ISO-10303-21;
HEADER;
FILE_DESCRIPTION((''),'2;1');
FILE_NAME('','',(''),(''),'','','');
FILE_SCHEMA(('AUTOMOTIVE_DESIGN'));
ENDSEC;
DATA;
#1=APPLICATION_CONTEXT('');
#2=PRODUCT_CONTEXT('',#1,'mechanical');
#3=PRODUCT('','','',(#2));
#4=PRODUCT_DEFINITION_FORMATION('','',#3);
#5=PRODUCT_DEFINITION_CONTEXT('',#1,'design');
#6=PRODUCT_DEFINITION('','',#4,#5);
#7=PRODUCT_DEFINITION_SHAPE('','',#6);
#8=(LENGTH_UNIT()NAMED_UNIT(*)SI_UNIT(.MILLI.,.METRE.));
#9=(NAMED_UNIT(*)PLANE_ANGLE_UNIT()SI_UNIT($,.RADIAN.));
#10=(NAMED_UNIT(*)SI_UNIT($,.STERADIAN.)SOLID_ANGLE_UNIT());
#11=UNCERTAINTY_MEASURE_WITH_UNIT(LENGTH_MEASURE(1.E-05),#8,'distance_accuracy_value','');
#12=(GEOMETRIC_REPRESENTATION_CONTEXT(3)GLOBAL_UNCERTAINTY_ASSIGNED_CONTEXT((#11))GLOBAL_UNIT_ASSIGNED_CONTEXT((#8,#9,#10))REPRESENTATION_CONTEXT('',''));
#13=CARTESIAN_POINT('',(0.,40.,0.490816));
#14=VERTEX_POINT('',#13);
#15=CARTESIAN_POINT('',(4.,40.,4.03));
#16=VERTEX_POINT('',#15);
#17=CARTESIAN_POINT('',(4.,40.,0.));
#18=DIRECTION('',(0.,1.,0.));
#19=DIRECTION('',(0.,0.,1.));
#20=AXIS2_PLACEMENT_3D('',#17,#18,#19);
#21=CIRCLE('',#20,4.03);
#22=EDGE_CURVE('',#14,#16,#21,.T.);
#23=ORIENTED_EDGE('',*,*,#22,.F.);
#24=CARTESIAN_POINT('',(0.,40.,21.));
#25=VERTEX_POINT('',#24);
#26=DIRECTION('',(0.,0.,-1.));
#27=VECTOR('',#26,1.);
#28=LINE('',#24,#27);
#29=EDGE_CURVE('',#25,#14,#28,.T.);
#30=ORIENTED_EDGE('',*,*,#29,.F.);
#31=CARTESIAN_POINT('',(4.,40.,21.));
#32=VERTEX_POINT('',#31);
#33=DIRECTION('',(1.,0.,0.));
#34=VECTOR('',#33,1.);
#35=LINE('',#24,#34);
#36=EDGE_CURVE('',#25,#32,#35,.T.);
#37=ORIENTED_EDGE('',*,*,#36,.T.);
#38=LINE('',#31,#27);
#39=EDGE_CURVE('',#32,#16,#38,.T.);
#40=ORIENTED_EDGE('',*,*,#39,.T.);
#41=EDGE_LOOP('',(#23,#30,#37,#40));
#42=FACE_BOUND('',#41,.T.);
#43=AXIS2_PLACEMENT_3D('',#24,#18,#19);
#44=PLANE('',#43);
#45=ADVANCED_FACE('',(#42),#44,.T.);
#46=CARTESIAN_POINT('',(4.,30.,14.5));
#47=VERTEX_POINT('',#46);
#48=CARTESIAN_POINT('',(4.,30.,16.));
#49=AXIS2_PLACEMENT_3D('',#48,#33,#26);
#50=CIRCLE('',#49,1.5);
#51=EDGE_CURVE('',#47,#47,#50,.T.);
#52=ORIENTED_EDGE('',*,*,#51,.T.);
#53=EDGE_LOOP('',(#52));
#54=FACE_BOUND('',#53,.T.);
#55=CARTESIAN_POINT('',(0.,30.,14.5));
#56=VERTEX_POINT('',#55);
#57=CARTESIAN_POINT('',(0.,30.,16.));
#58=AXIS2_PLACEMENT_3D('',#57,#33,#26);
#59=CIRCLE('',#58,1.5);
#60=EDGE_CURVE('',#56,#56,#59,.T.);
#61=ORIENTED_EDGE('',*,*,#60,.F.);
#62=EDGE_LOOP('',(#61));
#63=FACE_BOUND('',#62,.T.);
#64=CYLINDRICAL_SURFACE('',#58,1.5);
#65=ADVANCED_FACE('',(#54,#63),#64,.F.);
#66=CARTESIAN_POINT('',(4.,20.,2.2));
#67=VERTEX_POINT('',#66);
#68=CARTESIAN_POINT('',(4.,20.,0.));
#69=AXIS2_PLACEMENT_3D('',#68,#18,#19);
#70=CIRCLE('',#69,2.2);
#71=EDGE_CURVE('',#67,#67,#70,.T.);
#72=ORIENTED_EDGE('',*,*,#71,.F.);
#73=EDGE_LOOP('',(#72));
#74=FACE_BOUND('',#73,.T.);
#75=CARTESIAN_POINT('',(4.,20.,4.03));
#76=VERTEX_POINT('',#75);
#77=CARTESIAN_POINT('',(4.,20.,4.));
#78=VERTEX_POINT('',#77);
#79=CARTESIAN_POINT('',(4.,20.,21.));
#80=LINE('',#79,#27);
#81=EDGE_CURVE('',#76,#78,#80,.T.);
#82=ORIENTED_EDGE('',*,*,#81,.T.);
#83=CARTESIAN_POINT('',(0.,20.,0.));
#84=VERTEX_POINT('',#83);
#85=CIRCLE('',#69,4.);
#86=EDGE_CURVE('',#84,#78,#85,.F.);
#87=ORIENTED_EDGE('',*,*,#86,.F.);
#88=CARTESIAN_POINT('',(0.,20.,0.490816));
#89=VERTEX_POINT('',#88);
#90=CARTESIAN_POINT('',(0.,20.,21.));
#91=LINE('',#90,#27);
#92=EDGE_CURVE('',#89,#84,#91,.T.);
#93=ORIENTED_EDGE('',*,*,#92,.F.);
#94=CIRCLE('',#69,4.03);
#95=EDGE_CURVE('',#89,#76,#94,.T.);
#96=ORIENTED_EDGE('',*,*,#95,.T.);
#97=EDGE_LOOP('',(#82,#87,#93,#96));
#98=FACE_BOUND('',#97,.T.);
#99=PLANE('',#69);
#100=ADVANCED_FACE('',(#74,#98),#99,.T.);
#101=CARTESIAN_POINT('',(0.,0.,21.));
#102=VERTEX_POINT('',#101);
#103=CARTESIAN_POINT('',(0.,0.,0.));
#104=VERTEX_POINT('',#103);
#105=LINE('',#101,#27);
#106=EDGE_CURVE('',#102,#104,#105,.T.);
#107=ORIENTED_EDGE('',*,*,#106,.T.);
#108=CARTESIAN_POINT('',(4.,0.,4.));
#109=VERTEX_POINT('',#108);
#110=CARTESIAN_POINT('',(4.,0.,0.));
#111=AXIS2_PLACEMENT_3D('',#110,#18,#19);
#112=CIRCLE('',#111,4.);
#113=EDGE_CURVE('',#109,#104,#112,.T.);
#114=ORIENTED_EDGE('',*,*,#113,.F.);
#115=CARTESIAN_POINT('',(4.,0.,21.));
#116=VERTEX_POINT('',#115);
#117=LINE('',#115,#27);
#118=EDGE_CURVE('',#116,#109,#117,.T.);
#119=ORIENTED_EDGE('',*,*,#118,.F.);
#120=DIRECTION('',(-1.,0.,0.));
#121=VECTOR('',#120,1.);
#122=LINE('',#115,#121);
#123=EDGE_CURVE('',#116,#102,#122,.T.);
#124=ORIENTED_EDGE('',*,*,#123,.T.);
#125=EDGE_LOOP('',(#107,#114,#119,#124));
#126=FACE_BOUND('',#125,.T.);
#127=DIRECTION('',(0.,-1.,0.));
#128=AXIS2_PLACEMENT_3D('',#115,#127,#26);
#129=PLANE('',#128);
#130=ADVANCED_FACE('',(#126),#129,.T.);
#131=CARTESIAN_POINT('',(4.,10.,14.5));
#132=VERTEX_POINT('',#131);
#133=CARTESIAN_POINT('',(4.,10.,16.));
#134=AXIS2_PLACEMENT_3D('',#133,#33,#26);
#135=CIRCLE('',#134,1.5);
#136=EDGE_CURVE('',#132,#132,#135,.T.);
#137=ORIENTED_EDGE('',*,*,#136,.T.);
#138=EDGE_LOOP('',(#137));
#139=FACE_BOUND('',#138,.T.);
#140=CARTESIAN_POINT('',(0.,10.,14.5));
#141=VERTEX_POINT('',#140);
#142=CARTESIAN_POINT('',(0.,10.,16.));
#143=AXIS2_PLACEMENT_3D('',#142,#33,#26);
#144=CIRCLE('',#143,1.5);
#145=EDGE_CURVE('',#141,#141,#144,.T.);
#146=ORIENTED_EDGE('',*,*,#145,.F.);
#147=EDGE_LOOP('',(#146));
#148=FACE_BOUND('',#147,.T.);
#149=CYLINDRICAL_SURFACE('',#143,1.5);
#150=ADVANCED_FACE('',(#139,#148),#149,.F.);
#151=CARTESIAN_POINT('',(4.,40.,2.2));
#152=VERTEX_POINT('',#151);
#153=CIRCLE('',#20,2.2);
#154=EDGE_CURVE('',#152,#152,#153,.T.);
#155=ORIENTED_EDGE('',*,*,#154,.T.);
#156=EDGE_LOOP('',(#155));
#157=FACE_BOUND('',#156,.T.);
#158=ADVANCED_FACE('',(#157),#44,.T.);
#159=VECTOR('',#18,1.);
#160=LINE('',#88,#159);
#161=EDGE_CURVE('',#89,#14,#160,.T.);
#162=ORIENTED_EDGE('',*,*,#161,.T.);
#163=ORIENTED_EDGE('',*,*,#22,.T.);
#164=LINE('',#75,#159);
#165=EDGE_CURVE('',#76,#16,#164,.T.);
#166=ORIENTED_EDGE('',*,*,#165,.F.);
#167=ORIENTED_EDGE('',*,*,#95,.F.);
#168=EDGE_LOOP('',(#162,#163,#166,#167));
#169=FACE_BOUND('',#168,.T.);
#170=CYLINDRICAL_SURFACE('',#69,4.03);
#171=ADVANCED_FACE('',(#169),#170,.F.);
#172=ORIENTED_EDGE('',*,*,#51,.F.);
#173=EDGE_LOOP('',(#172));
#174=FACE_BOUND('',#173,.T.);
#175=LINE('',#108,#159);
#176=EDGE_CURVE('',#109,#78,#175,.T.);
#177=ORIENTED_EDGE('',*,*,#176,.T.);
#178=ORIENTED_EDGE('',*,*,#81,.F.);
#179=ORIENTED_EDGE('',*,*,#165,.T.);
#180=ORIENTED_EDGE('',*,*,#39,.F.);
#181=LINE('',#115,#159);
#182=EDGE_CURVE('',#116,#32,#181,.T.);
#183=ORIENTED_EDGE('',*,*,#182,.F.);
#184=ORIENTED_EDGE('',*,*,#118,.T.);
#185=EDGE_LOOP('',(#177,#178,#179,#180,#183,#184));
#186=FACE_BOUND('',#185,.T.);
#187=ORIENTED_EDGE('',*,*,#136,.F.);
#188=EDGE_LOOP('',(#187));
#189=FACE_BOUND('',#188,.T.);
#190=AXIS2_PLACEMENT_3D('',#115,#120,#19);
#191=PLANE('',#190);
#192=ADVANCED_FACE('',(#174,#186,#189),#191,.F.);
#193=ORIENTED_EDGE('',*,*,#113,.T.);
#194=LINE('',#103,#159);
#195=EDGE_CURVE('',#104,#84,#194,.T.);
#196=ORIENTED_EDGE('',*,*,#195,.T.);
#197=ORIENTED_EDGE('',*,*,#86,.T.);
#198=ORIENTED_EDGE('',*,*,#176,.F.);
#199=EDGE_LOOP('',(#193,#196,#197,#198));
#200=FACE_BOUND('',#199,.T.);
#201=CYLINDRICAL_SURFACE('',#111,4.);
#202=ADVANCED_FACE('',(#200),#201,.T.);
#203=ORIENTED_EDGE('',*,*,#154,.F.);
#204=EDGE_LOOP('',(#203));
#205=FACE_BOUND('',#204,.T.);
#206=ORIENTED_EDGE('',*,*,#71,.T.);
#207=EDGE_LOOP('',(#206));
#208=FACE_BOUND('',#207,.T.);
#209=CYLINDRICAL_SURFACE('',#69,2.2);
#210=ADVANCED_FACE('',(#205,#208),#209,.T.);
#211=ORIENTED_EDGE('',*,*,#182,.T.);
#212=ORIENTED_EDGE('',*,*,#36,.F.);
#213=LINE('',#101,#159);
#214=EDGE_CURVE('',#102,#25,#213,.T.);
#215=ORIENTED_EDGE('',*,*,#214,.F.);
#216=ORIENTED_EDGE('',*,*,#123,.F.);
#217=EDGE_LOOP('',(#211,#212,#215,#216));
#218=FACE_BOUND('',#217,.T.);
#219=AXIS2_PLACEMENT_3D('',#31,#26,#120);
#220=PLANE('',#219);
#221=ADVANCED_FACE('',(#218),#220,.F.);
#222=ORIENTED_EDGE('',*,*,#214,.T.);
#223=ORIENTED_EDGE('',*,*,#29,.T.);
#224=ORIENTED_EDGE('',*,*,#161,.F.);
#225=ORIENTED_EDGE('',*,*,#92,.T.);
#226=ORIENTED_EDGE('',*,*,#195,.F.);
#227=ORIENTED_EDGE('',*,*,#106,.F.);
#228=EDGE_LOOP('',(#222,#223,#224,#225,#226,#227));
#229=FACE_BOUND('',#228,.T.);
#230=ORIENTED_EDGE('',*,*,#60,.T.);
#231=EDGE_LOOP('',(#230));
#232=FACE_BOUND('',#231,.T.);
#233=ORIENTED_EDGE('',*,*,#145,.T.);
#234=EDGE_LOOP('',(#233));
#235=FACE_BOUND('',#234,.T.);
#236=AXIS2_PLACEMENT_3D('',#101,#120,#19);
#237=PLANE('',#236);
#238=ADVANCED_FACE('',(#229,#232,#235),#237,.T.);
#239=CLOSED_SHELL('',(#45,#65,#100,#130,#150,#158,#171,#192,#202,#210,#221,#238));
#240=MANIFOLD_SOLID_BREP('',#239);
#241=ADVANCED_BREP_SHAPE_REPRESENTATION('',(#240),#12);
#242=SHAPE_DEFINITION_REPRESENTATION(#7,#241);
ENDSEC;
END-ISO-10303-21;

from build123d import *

# Parameters (mm, degrees)
SKETCH1_W           = 4
SKETCH1_H           = 40
EXTRUDE_THIN2_DEPTH = 21
SKETCH4_R           = 4
SKETCH15_R          = 4.03
SKETCH15_R_2        = 2.2
CUT_EXTRUDE14_DEPTH = 20
SKETCH13_R          = 1.5
CUT_EXTRUDE10_DEPTH = 46.354161882


with BuildPart() as part:
    # Sketch1 → Extrude-Thin2 (new body)
    with BuildSketch(Plane.XY):
        with Locations((2, 20)):
            Rectangle(SKETCH1_W, SKETCH1_H)
    extrude(amount=EXTRUDE_THIN2_DEPTH)

    # Sweep3: sweep along a curve in space
    with BuildLine() as sweep3_path:
        Line((4, 0, 0), (4, 40, 0))
    # Sketch4 → Sweep3 (sweep)
    with BuildSketch(Plane(origin=(0, 40, 0), x_dir=(1, 0, 0), z_dir=(0, 1, 0))):
        with Locations((4, 0)):
            Circle(SKETCH4_R)
    sweep(path=sweep3_path.line)

    # Sketch15 → Cut-Extrude14 (cut)
    with BuildSketch(Plane(origin=(0, 40, 0), x_dir=(1, 0, 0), z_dir=(0, 1, 0))):
        with Locations((4, 0)):
            Circle(SKETCH15_R)
        with Locations(Location((4, 0, 0), (0, 0, 270))):
            Circle(SKETCH15_R_2, mode=Mode.SUBTRACT)
    extrude(amount=-CUT_EXTRUDE14_DEPTH, mode=Mode.SUBTRACT)

    # Sketch13 → Cut-Extrude10 (cut, through all)
    with BuildSketch(Plane(origin=(4, 0, 0), x_dir=(0, 0, -1), z_dir=(1, 0, 0))):
        with Locations((-16, 30)):
            Circle(SKETCH13_R)
        with Locations((-16, 10)):
            Circle(SKETCH13_R)
    extrude(amount=-CUT_EXTRUDE10_DEPTH, mode=Mode.SUBTRACT)


solid = part.part
